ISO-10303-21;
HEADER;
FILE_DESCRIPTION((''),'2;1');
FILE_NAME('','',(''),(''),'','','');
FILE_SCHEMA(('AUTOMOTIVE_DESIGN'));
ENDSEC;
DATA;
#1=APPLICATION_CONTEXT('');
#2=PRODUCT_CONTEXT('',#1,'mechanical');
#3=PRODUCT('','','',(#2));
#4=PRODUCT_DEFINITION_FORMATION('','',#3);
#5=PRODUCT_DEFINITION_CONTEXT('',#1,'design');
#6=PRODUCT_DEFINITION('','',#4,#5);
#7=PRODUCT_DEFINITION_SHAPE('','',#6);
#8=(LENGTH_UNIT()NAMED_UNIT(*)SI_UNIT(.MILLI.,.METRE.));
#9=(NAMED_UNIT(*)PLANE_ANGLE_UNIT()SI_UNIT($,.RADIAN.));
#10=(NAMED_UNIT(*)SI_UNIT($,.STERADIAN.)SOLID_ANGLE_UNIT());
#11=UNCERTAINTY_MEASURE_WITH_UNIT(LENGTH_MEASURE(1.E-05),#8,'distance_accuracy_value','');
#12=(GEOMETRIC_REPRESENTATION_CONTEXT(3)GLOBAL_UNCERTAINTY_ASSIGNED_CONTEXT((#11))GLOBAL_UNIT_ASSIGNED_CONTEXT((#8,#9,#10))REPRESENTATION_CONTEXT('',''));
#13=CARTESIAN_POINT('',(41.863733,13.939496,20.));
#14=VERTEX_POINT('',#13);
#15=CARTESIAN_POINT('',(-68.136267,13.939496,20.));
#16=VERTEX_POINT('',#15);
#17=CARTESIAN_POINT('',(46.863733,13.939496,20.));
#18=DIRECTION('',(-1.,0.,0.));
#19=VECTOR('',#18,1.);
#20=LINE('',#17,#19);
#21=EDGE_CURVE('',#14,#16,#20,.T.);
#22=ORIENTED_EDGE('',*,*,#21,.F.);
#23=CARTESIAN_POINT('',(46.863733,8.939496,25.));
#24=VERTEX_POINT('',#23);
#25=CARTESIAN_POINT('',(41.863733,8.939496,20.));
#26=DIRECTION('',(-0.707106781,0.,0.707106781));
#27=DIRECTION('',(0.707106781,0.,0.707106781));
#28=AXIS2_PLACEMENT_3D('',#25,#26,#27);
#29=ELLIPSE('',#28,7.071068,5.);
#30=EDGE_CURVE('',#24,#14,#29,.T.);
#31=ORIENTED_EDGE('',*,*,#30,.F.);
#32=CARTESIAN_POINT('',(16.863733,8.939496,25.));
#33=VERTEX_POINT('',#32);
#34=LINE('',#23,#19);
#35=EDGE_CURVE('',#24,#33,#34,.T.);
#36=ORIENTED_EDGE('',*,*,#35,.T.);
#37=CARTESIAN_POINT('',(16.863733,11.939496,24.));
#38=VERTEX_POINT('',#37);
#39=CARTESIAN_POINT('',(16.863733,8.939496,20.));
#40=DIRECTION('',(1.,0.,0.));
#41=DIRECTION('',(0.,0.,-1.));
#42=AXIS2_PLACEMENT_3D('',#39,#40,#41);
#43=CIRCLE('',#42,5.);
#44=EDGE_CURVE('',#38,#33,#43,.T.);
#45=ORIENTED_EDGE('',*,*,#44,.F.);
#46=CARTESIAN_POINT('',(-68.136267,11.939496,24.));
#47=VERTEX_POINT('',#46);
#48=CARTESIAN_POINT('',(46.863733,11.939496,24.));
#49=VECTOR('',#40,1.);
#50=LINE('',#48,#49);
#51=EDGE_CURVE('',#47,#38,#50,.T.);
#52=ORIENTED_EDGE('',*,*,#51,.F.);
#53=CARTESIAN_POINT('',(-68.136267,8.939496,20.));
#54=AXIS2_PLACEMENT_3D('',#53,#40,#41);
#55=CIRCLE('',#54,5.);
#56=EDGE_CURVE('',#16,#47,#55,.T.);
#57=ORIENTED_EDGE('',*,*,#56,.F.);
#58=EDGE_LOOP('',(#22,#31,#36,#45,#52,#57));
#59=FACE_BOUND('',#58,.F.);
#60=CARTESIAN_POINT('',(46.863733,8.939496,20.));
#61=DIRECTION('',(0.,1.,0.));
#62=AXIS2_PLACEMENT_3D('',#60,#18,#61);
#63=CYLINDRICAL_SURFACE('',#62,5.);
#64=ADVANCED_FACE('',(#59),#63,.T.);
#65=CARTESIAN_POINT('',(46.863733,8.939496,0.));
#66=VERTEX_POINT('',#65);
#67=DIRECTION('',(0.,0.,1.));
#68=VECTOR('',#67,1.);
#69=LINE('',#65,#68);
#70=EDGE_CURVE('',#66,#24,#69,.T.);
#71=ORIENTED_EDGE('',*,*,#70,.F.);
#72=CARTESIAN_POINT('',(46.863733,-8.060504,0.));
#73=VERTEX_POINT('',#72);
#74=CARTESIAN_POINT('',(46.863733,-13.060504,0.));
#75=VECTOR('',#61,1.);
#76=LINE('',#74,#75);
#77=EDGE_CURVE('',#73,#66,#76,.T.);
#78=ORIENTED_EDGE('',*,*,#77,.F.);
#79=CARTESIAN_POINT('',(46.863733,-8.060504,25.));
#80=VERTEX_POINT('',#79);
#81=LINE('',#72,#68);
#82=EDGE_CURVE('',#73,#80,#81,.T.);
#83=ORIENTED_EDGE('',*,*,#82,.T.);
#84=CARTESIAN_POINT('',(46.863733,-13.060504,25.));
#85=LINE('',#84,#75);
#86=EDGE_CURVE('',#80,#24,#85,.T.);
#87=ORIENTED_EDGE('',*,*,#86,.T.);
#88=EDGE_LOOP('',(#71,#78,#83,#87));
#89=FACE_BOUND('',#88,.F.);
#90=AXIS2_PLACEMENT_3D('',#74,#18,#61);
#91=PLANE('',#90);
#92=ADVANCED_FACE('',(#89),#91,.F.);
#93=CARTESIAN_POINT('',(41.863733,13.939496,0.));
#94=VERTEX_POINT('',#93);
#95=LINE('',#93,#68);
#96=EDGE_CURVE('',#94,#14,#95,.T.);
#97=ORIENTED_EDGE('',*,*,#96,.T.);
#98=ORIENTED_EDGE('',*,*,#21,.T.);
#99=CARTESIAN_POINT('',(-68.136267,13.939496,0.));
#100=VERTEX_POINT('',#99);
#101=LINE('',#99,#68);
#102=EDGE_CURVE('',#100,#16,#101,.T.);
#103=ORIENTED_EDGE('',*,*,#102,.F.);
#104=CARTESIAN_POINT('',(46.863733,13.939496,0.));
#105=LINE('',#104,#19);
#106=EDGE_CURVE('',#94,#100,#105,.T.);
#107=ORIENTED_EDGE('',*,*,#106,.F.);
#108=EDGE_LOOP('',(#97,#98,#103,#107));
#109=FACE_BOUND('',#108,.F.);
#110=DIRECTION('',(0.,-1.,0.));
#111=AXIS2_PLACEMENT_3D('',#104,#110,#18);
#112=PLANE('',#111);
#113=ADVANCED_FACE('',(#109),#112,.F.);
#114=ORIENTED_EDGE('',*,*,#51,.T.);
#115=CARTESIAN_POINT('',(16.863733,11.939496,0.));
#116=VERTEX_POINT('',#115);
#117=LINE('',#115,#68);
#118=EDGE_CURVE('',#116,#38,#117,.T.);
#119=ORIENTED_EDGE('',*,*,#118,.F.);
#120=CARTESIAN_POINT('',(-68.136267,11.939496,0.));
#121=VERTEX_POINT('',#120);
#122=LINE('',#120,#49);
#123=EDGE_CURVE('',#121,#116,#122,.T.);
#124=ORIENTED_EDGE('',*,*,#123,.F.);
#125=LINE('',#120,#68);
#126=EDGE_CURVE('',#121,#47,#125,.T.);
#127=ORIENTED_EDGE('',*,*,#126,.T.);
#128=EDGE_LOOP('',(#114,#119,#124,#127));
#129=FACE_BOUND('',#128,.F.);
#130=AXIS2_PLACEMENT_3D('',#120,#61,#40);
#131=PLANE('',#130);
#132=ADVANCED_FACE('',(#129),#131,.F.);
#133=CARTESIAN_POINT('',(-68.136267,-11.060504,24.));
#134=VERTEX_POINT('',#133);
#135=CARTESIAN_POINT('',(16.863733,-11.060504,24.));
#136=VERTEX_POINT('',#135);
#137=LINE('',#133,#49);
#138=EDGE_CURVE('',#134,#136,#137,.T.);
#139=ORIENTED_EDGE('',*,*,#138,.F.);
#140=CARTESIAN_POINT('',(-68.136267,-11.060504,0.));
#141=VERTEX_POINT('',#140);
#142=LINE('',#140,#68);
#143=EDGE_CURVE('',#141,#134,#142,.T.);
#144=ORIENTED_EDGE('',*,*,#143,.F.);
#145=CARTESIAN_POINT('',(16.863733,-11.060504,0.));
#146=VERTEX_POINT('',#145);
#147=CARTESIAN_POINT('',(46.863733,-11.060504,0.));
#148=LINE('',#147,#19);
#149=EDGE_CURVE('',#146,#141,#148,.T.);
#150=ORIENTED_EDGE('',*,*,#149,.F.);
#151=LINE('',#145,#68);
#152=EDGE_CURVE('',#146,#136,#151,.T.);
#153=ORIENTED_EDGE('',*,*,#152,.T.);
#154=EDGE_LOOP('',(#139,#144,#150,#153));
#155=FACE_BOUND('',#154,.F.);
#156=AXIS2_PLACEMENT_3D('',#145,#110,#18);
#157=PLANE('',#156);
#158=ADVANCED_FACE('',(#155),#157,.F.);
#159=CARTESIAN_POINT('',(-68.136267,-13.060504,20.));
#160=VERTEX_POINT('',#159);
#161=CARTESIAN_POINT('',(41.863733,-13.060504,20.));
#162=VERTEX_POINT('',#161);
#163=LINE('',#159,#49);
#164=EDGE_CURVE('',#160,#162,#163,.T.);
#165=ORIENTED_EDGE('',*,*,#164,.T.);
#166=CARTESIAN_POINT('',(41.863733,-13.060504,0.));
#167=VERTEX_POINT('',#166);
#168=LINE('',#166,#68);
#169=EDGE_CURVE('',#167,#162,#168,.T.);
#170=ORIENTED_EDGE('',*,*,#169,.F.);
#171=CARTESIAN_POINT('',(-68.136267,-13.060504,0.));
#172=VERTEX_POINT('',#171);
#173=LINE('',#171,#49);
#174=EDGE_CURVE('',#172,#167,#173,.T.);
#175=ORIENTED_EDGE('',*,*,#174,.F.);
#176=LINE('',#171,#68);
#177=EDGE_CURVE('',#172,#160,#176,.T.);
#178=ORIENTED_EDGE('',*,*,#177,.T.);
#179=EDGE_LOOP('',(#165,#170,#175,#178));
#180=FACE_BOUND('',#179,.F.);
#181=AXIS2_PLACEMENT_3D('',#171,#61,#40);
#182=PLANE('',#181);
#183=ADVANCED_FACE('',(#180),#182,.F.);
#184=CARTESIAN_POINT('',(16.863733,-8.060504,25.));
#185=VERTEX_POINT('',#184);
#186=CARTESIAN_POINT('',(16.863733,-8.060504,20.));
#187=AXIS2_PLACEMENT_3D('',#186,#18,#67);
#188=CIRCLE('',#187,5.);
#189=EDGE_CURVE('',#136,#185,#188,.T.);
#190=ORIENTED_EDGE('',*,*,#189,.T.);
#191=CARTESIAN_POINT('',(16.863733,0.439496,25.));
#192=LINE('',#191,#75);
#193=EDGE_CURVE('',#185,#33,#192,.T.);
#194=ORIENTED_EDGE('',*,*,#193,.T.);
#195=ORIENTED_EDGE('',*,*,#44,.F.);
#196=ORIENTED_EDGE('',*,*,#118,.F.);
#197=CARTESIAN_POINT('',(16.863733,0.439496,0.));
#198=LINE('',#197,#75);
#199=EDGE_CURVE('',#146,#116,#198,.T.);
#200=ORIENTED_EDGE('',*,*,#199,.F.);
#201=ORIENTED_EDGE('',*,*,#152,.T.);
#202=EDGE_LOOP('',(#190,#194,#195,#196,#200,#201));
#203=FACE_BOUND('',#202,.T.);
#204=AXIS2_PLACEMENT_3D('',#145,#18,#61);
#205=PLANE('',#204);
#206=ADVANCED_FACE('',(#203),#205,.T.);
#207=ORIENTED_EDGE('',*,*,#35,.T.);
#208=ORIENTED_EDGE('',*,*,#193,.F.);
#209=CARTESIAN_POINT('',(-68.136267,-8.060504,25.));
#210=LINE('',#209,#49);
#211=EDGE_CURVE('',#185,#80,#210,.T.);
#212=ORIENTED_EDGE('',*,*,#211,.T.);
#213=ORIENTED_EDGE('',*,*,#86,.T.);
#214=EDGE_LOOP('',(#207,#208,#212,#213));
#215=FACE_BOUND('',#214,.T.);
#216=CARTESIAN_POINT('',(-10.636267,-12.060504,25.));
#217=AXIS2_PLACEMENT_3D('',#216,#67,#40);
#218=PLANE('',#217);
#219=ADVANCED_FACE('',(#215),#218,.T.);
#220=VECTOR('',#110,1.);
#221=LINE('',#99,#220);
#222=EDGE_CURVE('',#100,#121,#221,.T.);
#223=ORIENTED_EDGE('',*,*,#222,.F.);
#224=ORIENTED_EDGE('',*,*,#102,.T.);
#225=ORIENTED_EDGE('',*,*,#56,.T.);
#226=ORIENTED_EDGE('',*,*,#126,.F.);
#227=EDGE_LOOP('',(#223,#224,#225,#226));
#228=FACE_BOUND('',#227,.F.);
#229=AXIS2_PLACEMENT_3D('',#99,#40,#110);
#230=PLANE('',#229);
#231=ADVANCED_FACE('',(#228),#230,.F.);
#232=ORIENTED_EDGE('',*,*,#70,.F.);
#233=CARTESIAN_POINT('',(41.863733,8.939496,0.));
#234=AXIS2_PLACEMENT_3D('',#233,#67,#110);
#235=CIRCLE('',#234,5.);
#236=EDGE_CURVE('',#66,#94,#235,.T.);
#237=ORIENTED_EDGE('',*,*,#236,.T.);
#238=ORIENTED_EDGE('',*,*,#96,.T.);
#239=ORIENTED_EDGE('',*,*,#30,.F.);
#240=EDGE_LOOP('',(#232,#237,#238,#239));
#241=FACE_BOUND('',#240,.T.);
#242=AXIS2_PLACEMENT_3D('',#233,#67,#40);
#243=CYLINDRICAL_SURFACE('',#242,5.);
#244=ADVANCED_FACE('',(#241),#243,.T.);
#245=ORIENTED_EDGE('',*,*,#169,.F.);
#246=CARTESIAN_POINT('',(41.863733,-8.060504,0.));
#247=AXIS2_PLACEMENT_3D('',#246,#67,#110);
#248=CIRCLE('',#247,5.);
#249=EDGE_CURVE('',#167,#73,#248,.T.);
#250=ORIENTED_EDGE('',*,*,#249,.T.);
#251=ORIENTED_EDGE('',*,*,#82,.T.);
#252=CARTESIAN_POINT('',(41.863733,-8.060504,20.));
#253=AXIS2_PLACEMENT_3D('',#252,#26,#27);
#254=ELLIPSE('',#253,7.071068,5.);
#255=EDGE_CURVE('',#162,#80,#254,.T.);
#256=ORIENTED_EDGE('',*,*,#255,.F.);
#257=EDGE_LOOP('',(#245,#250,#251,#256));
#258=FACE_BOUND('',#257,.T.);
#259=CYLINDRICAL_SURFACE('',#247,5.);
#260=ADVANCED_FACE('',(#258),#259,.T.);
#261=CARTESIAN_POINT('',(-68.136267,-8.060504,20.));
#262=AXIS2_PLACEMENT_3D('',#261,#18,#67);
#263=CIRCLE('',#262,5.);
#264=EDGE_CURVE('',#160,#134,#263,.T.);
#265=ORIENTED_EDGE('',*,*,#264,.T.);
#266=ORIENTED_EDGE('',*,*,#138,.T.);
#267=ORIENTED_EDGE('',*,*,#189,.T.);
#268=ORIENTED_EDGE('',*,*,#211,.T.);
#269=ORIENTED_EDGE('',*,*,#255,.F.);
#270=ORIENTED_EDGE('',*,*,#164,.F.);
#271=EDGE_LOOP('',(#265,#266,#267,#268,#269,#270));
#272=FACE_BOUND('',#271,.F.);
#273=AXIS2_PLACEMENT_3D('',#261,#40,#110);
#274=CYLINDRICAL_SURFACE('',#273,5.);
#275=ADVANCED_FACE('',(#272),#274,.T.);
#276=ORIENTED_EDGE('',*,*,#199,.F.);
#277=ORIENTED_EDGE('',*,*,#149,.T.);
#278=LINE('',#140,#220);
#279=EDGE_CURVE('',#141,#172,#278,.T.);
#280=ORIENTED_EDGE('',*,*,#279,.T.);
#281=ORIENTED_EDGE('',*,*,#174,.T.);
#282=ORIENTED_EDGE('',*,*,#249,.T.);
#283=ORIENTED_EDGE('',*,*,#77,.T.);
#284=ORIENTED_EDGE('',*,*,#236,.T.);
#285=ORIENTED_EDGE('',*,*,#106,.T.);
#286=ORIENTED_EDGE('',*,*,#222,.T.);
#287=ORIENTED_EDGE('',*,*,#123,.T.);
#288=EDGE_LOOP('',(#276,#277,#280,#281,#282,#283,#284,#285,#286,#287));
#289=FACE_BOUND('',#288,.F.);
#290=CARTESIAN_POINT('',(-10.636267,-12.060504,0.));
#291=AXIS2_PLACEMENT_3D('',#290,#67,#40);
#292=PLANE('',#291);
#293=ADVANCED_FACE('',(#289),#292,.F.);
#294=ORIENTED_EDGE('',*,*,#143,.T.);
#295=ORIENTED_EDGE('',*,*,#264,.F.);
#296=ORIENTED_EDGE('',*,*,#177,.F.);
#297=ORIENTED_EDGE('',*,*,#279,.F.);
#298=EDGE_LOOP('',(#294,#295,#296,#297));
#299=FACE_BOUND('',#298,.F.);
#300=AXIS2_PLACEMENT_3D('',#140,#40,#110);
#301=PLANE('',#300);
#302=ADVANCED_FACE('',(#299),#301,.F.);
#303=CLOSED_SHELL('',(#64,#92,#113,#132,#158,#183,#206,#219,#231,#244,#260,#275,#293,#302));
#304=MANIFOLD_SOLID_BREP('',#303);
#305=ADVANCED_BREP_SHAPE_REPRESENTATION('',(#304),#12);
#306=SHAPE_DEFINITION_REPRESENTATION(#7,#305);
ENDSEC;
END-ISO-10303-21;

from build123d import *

# Parameters (mm, degrees)
F0_W     = 30
F0_H     = 23
F1_DEPTH = 25
F2_R     = 5


with BuildPart() as f1:
    # F0 (on Top) → F1 (new body)
    with BuildSketch(Plane.XY):
        Polygon((46.863733, -11.060504), (16.863733, -11.060504), (-68.136267, -11.060504), (-68.136267, -13.060504), (46.863733, -13.060504), align=None)
        Polygon((-68.136267, 11.939496), (16.863733, 11.939496), (46.863733, 11.939496), (46.863733, 13.939496), (-68.136267, 13.939496), align=None)
        with Locations((31.863733, 0.439496)):
            Rectangle(F0_W, F0_H)
    extrude(amount=F1_DEPTH)

    # F2
    f2_edges = [f1.edges().sort_by_distance(p)[0] for p in [
        (46.863733, -13.060504, 12.5),
        (46.863733, 13.939496, 12.5),
        (-10.636267, -13.060504, 25),
        (-10.636267, 13.939496, 25),
    ]]
    fillet(f2_edges, radius=F2_R)


solid = f1.part
